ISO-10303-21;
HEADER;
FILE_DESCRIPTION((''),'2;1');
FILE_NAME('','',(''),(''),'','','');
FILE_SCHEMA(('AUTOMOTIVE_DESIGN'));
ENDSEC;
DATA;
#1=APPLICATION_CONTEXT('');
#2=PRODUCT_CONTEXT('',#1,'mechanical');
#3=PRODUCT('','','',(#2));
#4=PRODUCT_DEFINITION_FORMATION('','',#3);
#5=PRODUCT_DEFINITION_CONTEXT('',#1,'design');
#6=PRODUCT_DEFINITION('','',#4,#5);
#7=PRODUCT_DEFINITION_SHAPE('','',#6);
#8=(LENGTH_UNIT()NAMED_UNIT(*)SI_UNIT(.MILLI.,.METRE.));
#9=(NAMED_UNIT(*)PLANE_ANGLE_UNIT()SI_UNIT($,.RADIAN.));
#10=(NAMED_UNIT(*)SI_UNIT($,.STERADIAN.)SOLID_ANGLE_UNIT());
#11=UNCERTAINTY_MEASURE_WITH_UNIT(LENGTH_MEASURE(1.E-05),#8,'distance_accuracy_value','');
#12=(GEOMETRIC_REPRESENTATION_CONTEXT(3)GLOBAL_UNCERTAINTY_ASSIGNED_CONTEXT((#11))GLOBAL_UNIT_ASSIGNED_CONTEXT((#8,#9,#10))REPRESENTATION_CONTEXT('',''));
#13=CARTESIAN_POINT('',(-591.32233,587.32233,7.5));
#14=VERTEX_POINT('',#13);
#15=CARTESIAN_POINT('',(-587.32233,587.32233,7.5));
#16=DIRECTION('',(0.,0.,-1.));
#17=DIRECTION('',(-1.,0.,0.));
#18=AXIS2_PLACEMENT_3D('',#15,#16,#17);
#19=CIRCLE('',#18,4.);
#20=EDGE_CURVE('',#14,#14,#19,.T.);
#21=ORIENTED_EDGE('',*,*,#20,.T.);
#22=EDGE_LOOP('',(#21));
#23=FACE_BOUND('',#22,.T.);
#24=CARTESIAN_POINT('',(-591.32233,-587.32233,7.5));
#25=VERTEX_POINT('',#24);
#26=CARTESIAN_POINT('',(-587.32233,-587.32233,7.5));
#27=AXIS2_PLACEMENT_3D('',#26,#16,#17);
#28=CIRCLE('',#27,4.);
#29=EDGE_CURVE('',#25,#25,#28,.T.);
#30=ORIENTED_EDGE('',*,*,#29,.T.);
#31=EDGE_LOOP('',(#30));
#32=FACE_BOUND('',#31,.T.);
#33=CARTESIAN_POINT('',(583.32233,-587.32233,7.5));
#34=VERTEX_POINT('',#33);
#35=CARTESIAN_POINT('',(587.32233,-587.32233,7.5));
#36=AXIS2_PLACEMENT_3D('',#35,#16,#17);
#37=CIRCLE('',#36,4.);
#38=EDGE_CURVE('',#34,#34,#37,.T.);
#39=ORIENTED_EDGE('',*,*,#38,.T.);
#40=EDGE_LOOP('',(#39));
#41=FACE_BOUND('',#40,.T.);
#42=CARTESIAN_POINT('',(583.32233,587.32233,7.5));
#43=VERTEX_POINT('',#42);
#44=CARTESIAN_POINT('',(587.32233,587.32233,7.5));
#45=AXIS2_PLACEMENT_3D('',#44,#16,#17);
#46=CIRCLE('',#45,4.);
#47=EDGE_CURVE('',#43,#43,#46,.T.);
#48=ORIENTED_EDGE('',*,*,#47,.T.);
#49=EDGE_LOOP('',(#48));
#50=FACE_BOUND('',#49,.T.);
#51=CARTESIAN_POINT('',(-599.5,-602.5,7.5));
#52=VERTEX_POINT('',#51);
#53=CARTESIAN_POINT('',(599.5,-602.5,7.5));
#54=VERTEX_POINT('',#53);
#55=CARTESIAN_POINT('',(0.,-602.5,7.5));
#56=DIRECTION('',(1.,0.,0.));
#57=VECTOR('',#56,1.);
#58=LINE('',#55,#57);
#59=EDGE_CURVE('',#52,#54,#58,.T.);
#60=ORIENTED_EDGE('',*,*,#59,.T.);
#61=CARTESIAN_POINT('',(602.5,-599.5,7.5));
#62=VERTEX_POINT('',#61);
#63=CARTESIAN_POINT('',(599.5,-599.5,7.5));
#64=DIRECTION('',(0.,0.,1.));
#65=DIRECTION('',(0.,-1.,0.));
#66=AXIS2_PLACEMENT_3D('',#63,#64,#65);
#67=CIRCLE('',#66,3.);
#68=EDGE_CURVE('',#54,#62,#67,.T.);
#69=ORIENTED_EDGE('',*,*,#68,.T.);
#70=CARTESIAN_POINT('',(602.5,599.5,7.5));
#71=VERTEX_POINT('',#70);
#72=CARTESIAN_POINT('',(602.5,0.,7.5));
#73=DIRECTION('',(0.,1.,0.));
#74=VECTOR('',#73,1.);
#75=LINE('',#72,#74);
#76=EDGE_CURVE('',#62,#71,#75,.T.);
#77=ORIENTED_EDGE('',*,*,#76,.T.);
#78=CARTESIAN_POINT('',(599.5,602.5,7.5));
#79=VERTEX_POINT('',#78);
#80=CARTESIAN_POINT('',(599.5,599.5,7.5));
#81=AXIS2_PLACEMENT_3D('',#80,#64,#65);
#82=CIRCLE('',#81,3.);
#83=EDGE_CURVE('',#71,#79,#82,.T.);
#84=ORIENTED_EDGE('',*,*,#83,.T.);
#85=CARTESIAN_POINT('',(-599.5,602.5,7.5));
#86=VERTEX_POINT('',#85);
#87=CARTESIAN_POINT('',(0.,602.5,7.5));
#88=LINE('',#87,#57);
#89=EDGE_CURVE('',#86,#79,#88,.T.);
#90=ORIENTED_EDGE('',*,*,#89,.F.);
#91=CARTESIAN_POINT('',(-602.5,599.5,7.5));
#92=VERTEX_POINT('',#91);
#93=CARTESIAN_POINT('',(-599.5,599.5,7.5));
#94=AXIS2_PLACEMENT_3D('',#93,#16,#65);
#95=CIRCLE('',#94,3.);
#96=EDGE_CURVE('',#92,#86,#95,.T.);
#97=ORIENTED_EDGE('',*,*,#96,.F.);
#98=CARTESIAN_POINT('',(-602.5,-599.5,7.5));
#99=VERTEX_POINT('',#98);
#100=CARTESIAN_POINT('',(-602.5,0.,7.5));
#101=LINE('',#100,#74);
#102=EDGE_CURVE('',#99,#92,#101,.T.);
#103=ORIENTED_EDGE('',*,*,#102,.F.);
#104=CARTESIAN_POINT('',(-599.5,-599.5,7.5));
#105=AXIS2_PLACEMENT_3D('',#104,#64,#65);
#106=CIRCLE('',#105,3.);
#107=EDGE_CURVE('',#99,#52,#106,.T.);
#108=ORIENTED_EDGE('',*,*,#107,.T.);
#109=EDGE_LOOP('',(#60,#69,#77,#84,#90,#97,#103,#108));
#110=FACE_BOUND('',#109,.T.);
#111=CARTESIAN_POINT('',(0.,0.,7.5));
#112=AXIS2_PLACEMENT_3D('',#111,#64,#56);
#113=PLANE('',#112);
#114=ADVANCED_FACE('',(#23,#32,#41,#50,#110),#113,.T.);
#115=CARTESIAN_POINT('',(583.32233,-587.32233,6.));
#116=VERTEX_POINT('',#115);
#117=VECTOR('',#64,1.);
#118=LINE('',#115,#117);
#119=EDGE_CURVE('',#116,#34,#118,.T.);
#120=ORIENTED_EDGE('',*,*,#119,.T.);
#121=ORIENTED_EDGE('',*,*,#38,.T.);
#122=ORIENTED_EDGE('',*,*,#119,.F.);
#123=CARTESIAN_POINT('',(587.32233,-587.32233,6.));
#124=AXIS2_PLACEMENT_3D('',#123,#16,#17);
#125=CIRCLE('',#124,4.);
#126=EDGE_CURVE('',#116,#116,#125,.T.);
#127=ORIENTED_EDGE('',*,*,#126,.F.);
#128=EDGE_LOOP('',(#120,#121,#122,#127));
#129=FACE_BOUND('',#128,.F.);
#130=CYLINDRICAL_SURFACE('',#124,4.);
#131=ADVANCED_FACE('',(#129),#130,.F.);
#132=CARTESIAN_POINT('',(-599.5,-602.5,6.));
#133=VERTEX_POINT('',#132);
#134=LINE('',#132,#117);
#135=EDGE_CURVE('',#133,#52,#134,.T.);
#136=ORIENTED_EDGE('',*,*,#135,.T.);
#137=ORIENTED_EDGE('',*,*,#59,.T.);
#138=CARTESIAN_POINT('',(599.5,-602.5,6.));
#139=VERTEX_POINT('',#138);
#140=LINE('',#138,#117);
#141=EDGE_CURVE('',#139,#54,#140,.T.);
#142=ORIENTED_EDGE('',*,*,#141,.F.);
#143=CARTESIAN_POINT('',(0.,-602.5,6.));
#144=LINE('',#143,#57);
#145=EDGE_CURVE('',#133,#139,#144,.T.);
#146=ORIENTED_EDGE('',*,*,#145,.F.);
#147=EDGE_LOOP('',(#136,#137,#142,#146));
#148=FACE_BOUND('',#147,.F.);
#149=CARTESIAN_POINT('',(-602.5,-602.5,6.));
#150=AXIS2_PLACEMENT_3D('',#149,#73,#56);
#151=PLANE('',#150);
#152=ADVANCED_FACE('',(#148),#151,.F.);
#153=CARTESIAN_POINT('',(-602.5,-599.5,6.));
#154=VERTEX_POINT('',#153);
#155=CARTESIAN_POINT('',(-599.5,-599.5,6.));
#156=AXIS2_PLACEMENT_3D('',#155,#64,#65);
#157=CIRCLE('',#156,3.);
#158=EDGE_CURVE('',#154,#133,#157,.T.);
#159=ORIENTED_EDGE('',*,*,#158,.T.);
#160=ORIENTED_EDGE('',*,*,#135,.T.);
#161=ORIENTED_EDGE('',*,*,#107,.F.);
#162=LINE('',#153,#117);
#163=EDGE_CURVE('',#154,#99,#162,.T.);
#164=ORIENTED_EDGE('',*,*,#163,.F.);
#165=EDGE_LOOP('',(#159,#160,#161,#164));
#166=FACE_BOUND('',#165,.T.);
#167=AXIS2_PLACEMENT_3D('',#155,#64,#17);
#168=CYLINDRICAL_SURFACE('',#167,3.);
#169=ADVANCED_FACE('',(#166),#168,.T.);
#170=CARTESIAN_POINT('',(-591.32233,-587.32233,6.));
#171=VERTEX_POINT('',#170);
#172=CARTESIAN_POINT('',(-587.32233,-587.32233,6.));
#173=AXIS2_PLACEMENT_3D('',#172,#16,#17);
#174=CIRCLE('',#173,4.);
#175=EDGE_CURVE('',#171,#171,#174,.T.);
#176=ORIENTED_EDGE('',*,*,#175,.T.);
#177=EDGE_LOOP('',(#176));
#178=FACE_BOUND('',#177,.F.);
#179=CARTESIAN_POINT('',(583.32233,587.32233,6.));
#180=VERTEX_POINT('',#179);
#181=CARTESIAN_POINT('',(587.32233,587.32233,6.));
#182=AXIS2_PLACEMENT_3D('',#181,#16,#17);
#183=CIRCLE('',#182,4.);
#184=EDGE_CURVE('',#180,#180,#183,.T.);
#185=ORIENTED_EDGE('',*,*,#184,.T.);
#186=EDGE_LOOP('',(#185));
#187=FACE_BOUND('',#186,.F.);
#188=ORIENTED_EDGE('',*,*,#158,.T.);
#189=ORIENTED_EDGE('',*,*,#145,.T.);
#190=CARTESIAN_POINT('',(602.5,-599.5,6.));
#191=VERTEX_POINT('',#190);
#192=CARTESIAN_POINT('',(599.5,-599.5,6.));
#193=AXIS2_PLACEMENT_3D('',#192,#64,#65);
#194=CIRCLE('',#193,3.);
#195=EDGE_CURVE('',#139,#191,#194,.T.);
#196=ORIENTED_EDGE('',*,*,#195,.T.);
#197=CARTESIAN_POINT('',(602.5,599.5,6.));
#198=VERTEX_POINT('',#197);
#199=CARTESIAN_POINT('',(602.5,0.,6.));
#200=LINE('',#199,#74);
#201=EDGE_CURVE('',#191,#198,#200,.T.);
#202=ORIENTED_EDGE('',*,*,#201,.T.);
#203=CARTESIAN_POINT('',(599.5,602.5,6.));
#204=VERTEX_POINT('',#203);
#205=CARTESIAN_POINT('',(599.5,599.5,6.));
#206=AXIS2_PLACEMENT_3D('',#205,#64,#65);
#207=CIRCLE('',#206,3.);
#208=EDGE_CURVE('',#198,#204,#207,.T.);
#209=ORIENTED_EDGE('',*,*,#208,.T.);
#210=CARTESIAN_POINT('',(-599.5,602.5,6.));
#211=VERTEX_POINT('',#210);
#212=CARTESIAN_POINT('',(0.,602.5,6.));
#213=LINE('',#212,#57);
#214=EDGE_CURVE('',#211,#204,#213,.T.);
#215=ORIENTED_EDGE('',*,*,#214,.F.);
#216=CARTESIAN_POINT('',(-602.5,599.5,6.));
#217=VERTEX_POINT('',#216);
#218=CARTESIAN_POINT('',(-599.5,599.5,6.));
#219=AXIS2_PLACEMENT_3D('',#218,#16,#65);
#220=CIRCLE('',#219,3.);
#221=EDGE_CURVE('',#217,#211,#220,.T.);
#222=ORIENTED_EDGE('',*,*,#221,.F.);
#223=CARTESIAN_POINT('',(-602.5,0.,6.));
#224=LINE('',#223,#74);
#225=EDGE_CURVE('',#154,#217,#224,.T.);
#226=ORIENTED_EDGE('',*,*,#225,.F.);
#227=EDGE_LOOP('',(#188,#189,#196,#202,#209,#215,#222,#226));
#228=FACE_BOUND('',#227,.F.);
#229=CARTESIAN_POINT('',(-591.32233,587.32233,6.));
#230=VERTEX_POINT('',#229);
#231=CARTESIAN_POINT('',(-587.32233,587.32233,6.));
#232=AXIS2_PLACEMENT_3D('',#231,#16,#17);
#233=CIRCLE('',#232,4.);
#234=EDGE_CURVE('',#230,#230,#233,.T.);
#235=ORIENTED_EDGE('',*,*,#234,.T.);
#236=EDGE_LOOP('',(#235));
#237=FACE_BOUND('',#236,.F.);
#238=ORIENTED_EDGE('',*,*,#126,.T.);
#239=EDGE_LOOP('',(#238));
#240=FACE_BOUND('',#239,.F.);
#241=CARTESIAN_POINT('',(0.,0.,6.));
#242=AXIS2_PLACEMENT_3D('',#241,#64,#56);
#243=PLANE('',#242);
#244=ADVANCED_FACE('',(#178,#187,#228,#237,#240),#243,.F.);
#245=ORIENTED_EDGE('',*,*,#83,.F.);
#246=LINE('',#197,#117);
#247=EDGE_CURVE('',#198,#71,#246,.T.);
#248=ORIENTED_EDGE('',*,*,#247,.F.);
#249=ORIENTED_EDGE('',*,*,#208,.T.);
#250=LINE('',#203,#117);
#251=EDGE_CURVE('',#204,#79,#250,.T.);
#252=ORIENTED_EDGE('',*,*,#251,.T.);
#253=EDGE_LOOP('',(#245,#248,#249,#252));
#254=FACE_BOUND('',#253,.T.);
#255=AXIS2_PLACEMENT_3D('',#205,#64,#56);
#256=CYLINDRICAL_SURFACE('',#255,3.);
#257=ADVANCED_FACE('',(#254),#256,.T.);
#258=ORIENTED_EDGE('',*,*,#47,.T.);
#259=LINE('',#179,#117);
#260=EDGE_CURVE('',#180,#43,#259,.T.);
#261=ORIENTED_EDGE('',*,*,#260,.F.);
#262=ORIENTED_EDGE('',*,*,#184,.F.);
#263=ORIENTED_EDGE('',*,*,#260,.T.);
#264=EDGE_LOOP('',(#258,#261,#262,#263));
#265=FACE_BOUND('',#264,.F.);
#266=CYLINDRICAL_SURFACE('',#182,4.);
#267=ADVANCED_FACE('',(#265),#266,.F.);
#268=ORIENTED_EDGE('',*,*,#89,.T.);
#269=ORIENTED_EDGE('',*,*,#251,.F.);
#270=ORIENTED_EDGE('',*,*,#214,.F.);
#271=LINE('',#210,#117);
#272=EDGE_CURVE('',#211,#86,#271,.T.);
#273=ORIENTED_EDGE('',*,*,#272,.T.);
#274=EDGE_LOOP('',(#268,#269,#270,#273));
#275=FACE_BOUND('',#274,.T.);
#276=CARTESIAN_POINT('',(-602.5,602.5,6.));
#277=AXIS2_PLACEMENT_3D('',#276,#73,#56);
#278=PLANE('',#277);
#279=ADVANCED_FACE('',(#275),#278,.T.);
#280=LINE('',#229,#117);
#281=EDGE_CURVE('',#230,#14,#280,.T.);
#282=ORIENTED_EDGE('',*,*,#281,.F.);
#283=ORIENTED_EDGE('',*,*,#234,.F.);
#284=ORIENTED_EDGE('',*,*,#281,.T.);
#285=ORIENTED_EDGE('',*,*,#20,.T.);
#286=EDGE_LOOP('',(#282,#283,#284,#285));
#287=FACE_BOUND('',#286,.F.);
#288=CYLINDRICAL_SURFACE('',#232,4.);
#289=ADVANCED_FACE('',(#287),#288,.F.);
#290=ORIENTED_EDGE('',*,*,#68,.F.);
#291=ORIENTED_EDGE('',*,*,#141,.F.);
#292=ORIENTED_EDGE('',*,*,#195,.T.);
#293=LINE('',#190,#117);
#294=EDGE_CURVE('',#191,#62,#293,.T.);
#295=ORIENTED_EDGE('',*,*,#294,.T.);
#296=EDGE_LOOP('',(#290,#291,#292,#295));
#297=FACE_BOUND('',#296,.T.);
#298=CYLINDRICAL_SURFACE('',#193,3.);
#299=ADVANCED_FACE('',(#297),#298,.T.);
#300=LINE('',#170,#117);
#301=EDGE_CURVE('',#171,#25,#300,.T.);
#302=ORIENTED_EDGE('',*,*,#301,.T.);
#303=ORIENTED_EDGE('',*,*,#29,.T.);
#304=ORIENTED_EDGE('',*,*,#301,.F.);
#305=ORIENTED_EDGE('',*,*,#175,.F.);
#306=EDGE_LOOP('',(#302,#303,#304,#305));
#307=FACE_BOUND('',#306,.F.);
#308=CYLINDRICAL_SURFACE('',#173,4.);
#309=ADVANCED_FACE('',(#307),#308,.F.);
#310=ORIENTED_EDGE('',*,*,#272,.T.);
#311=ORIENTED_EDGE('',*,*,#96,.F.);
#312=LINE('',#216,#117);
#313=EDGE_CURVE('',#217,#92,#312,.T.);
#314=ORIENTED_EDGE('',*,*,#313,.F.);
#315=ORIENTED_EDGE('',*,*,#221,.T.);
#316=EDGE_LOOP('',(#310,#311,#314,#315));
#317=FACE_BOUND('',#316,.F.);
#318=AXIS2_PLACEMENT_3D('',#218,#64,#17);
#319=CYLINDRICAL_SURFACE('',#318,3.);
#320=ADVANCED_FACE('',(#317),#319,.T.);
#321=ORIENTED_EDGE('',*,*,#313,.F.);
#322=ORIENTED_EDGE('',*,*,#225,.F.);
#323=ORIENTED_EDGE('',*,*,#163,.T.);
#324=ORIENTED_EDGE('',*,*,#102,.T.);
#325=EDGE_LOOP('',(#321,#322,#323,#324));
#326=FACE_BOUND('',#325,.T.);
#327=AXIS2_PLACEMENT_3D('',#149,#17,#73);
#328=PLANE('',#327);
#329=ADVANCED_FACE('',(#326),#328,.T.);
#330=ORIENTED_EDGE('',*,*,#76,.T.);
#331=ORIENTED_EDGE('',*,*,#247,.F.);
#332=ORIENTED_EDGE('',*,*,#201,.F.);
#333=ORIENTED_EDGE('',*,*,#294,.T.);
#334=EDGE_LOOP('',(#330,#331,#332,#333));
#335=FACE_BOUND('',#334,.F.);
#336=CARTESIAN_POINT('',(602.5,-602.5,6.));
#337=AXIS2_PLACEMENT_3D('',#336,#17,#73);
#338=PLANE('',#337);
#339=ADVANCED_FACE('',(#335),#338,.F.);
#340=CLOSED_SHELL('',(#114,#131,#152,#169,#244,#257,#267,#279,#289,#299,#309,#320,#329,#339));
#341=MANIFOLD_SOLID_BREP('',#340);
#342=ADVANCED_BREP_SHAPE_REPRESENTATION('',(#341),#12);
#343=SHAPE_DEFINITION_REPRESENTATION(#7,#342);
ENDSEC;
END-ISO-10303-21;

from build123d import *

# Parameters (mm, degrees)
SKETCH1_W           = 1205
SKETCH1_H           = 1205
BOSS_EXTRUDE1_DEPTH = 1.5
FILLET1_R           = 3
SKETCH2_R           = 4
CUT_EXTRUDE1_DEPTH  = 2.5


with BuildPart() as part:
    # Sketch1 → Boss-Extrude1 (new body)
    with BuildSketch(Plane.XY.offset(6)):
        Rectangle(SKETCH1_W, SKETCH1_H)
    extrude(amount=BOSS_EXTRUDE1_DEPTH)

    # Fillet1
    fillet1_edges = [part.edges().sort_by_distance(p)[0] for p in [
        (602.5, -602.5, 6.75),
        (-602.5, -602.5, 6.75),
        (-602.5, 602.5, 6.75),
        (602.5, 602.5, 6.75),
    ]]
    fillet(fillet1_edges, radius=FILLET1_R)

    # Sketch2 → Cut-Extrude1 (cut, through all)
    with BuildSketch(Plane(origin=(0, 0, 6), x_dir=(-1, 0, 0), z_dir=(0, 0, -1))):
        with Locations((587.32233047, -587.32233047)):
            Circle(SKETCH2_R)
        with Locations((-587.32233047, -587.32233047)):
            Circle(SKETCH2_R)
        with Locations((-587.32233047, 587.32233047)):
            Circle(SKETCH2_R)
        with Locations((587.32233047, 587.32233047)):
            Circle(SKETCH2_R)
    extrude(amount=-CUT_EXTRUDE1_DEPTH, mode=Mode.SUBTRACT)


solid = part.part
